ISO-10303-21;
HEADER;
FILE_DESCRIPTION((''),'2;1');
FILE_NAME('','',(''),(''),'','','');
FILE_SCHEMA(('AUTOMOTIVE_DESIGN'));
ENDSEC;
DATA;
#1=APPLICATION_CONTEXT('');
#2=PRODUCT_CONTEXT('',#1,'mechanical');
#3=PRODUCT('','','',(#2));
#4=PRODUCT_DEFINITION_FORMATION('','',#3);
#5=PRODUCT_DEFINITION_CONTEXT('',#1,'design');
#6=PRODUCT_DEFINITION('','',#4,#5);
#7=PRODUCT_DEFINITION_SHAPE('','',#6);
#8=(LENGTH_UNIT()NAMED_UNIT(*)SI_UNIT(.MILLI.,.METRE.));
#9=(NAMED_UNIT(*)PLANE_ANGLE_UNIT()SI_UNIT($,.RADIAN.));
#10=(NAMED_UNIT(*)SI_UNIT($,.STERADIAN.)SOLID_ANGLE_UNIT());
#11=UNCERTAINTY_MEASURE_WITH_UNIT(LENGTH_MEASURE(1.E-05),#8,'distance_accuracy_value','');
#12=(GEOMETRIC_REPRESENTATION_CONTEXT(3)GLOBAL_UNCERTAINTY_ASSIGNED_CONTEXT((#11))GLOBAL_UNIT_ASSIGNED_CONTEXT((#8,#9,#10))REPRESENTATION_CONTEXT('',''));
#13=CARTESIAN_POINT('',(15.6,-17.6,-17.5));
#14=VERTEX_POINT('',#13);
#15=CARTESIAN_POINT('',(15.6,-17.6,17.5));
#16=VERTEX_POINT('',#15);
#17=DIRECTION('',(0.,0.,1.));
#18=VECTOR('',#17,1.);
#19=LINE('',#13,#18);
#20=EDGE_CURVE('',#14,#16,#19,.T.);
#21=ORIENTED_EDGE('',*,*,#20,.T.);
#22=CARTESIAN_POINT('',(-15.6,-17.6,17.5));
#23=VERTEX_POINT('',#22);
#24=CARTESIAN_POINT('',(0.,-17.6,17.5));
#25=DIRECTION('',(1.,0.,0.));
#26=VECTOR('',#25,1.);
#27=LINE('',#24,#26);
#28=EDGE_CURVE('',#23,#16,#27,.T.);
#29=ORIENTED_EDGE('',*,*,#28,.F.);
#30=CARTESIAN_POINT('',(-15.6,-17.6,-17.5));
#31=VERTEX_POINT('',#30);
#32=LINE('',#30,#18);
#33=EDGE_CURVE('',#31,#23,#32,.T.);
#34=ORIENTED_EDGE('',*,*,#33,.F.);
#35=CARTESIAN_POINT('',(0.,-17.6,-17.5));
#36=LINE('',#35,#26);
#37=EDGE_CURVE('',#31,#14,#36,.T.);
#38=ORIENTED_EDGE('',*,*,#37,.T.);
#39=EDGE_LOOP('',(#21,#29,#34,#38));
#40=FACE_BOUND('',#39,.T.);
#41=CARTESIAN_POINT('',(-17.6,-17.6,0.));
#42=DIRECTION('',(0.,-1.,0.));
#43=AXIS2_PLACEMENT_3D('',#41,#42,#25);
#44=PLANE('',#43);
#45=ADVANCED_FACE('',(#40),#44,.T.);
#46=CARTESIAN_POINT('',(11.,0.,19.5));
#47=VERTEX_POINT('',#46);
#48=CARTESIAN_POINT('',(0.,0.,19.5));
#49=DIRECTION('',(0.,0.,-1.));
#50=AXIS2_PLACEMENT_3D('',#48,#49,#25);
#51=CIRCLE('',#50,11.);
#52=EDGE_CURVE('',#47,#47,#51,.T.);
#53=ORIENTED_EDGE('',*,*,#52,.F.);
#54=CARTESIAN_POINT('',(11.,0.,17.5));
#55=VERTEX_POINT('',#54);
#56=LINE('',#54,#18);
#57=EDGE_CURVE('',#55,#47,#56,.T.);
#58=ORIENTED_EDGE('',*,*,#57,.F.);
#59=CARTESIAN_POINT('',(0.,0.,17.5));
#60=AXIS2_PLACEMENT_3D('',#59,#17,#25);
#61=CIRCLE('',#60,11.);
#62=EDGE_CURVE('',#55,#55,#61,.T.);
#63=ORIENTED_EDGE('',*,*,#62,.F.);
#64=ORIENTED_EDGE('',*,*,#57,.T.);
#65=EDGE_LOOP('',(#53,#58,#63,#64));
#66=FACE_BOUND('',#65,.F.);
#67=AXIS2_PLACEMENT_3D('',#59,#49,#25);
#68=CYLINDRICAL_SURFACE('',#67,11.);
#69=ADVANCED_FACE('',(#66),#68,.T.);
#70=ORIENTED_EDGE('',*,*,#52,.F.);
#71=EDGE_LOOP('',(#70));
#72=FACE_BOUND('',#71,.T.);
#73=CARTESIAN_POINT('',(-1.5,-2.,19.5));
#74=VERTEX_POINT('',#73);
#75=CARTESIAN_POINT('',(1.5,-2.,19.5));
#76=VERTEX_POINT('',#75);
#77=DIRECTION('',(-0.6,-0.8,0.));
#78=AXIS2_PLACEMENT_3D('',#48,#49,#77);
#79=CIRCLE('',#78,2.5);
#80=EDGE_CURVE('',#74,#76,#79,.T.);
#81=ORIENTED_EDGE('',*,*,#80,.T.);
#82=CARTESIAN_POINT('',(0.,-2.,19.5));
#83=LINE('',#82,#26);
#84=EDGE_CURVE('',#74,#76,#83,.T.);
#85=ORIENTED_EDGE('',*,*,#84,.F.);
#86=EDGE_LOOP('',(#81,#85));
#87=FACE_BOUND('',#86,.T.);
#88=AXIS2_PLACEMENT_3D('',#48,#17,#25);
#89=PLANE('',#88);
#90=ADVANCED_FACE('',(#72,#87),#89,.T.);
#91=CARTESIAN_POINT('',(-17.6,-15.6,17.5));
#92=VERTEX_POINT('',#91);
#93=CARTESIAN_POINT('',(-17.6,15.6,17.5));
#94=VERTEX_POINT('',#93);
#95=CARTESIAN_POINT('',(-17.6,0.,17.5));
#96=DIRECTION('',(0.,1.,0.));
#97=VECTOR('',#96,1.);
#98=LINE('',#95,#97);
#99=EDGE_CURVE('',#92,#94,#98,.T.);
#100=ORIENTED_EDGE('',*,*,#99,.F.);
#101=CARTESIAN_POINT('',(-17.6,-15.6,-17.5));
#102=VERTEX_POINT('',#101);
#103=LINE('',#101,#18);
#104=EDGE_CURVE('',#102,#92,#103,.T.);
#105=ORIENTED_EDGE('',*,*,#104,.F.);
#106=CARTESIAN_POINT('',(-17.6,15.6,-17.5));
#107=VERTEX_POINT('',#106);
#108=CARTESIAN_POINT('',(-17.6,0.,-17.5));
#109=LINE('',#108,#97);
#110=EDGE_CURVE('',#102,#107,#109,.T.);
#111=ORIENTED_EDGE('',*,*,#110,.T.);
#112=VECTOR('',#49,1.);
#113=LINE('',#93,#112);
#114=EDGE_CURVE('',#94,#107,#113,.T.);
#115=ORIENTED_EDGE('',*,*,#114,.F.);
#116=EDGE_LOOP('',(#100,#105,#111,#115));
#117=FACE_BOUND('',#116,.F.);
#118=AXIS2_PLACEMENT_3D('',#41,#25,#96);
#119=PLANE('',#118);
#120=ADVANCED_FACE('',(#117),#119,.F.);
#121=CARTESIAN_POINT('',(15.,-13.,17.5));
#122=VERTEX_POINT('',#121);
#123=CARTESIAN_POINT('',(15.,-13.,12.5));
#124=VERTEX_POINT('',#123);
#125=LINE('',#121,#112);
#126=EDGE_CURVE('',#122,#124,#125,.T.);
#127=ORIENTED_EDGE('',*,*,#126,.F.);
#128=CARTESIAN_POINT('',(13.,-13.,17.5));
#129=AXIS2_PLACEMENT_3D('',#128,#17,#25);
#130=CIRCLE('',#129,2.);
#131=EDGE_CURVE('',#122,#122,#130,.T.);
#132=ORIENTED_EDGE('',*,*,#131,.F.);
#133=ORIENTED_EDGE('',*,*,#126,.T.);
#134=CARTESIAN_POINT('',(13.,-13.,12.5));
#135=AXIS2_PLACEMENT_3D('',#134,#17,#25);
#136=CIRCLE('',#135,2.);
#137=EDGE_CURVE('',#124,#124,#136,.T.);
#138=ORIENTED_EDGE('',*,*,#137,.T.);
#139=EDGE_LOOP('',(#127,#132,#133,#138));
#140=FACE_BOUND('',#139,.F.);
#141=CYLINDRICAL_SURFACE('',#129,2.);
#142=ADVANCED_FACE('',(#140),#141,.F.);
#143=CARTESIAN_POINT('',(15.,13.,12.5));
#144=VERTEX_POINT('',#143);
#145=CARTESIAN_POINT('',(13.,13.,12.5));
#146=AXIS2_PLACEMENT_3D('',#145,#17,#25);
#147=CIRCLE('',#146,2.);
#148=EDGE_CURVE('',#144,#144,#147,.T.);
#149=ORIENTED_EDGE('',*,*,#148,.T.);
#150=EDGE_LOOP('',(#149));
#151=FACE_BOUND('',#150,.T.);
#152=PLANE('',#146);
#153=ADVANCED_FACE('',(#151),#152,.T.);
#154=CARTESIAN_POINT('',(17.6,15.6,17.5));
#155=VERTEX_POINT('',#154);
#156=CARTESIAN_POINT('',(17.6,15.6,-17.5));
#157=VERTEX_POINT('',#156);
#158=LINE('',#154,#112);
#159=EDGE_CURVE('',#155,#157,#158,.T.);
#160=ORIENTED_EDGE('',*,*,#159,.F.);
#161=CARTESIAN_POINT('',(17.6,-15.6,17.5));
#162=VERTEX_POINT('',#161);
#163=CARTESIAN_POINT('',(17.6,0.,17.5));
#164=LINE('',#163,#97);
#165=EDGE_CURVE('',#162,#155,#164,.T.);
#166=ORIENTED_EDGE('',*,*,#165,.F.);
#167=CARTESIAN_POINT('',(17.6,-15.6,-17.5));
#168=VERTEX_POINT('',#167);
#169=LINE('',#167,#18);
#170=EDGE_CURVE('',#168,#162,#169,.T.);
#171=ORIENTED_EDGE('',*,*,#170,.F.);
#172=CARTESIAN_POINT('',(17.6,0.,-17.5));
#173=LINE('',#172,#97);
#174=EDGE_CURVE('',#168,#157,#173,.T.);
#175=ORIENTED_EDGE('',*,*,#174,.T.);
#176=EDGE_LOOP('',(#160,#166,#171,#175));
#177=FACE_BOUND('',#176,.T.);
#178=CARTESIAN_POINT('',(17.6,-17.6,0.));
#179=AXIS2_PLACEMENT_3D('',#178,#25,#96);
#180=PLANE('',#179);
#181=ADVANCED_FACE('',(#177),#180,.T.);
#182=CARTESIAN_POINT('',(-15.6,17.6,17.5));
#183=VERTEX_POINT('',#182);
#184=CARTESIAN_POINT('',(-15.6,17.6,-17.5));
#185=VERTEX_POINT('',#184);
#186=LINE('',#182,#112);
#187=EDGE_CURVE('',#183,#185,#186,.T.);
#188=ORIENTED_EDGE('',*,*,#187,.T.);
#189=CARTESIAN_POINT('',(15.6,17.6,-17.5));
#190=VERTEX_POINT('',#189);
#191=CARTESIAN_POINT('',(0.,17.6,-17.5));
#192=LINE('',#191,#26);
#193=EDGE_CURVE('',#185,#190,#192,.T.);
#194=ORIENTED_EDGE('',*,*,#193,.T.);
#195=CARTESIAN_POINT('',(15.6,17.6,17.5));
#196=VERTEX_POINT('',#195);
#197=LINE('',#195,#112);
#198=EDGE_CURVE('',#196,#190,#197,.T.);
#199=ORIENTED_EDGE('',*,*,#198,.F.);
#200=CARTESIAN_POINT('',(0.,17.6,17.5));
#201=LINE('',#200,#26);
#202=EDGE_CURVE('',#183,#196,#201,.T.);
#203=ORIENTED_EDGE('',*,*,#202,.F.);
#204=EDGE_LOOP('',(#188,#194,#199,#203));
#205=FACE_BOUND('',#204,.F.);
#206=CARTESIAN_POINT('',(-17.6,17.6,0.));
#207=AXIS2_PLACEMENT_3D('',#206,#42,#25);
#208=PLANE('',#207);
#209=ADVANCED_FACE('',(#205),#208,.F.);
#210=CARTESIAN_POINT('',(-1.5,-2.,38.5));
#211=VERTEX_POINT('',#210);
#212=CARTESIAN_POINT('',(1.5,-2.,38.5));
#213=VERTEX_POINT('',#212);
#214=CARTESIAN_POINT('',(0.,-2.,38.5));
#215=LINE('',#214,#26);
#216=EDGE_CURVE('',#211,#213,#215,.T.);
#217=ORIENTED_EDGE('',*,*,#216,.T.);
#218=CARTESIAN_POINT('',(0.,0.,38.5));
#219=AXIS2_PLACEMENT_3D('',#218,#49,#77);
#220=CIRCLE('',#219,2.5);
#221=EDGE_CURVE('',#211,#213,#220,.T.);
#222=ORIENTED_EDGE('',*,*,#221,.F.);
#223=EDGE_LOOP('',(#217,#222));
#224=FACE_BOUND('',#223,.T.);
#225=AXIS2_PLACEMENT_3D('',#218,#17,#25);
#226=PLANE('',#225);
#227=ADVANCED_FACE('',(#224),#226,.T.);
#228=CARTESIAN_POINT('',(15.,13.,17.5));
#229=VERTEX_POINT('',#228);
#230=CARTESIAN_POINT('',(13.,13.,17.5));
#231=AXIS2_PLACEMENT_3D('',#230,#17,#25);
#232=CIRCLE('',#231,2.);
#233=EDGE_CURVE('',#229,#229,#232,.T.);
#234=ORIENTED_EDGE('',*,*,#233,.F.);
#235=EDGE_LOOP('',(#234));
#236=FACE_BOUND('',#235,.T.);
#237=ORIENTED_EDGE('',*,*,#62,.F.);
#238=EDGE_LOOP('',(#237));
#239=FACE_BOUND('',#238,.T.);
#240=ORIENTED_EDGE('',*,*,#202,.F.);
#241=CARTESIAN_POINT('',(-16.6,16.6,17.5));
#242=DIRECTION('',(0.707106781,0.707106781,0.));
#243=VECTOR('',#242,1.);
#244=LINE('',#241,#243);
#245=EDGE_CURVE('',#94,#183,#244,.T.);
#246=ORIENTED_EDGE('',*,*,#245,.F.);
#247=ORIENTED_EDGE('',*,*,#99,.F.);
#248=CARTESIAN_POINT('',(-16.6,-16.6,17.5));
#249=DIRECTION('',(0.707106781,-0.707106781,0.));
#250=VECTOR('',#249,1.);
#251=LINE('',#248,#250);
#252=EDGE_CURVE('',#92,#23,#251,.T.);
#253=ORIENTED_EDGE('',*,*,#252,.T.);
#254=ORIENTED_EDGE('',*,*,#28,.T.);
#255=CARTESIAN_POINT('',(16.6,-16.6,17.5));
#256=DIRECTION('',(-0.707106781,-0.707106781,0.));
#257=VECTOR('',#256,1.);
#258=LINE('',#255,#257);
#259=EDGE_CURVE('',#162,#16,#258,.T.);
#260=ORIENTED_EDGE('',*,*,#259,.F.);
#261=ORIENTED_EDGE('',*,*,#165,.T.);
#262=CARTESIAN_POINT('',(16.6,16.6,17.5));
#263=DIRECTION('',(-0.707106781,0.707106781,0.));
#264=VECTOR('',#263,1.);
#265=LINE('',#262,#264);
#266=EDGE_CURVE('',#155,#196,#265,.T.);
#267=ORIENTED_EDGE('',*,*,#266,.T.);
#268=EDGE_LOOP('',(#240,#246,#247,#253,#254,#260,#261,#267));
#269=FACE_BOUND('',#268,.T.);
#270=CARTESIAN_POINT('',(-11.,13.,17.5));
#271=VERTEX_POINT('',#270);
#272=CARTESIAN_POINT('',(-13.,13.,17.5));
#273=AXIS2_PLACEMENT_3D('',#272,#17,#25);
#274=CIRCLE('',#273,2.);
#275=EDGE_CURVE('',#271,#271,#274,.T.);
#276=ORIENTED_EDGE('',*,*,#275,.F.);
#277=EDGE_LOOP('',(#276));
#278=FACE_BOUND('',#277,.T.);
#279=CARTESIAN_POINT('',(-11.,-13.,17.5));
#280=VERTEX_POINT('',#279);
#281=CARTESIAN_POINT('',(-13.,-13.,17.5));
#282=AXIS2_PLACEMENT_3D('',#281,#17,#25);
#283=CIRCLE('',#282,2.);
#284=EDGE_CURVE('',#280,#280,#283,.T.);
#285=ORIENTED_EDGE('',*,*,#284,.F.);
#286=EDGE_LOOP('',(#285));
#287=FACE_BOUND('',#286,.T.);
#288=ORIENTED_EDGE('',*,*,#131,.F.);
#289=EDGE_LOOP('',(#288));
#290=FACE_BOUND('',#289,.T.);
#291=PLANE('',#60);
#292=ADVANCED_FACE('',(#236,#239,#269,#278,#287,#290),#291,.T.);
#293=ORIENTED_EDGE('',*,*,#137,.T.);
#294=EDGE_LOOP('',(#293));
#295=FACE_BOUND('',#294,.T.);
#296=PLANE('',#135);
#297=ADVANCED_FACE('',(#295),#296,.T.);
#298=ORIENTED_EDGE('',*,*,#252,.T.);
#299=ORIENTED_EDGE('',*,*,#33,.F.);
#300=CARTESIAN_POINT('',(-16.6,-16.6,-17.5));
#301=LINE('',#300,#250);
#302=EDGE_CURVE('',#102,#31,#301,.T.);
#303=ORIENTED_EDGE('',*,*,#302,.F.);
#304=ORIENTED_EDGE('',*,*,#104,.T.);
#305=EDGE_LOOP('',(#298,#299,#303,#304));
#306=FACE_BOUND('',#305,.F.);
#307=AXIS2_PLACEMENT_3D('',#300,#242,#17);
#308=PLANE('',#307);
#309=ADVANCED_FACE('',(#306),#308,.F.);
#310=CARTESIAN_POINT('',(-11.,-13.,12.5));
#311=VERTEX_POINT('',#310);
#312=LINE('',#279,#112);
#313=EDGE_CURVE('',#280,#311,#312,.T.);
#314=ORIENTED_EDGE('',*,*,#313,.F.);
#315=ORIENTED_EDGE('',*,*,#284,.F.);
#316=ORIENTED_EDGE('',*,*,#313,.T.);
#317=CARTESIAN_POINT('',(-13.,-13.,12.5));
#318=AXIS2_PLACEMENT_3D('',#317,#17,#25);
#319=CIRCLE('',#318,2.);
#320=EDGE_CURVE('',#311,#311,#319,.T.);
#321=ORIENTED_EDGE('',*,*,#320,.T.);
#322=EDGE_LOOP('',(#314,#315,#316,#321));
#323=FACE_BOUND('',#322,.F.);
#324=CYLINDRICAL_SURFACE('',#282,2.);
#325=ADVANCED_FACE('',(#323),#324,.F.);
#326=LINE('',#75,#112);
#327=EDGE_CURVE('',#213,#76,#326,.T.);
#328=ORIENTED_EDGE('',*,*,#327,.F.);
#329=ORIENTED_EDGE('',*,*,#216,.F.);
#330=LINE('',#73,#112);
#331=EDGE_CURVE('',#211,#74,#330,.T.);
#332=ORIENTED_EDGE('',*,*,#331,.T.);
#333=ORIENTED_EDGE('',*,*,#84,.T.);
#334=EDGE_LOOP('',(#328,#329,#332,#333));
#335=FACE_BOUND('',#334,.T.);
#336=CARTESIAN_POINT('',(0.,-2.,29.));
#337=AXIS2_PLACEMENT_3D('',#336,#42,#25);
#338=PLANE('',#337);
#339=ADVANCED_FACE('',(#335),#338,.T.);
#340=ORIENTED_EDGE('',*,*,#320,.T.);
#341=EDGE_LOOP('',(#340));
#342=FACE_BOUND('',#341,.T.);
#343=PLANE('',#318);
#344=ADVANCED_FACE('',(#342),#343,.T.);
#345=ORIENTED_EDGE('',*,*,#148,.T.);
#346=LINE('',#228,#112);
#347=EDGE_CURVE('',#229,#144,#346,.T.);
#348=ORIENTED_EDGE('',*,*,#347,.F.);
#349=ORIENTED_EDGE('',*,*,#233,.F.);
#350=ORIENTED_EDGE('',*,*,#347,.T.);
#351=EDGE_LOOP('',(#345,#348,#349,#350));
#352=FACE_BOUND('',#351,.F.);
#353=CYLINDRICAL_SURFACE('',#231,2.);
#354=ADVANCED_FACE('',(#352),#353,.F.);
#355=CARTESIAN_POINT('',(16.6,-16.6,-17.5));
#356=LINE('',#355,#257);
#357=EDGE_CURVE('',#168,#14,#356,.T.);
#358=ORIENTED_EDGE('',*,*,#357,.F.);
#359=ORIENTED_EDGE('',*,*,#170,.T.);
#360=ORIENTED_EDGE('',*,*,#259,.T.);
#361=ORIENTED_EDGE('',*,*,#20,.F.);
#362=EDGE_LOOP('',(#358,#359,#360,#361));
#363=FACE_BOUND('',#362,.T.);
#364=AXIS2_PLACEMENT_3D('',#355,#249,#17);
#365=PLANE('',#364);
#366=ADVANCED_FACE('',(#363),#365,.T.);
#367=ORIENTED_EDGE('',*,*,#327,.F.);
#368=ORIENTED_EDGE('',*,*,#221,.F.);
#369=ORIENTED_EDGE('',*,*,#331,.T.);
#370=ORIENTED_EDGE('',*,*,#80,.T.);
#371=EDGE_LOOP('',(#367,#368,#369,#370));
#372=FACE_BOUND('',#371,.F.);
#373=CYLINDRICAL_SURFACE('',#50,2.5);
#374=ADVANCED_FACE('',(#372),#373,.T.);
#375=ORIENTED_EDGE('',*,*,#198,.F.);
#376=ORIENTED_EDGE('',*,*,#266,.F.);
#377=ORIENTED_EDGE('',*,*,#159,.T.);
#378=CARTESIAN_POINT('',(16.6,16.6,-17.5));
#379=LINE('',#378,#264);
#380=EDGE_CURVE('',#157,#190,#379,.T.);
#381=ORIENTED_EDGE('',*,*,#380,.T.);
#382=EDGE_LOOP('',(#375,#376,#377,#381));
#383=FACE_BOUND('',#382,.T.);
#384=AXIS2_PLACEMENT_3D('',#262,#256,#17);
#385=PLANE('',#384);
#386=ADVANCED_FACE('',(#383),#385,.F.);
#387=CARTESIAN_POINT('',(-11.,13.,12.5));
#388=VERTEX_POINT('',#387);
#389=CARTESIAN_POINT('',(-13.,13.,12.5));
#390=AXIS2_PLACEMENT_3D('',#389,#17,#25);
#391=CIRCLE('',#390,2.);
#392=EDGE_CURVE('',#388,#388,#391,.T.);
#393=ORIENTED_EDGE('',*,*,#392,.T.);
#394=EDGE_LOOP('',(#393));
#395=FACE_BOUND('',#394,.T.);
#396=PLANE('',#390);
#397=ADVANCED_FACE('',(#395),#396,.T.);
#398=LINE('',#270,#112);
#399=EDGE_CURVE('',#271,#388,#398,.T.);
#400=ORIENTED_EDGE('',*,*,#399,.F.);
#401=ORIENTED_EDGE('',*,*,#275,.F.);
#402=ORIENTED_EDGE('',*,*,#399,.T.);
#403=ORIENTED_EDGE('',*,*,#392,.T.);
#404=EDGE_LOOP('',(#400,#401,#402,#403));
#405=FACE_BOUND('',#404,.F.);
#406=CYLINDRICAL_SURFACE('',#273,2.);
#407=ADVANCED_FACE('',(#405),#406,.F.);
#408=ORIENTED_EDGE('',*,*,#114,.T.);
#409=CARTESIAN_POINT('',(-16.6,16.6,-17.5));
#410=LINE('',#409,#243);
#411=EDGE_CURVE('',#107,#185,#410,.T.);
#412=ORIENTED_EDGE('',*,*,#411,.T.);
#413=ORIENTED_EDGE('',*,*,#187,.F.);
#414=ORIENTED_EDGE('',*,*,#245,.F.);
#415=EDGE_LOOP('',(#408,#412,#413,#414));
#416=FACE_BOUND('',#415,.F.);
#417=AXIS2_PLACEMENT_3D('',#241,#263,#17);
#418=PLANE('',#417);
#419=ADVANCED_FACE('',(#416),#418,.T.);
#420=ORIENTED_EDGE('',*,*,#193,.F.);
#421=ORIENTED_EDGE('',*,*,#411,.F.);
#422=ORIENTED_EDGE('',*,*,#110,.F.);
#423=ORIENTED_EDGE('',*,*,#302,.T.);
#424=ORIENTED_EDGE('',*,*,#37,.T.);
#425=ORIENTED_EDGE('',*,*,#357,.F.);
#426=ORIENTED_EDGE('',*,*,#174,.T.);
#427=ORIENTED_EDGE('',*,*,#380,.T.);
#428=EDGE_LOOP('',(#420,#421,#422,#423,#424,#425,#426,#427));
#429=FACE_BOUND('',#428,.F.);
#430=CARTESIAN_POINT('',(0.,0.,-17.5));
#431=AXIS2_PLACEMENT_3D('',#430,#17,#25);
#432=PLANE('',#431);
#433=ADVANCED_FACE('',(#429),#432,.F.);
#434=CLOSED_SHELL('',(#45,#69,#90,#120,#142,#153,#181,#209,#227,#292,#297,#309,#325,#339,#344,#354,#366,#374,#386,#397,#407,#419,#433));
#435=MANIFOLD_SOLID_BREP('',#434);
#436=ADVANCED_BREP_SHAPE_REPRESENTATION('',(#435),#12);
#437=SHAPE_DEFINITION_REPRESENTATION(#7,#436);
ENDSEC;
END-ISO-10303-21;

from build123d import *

# Parameters (mm, degrees)
F0_W      = 35.2
F0_H      = 35.2
F1_DEPTH  = 17.5
F2_SIZE   = 2
F3_R      = 11
F4_DEPTH  = 2
F5_R      = 2
F6_DEPTH  = 5
F7_R      = 2.5
F8_DEPTH  = 19
F10_W     = 5
F10_H     = 19
F11_DEPTH = 15.601


with BuildPart() as f1:
    # F0 (on Top) → F1 (new body, symmetric)
    with BuildSketch(Plane.XY):
        Rectangle(F0_W, F0_H)
    extrude(amount=F1_DEPTH, both=True)

    # F2
    f2_edges = [f1.edges().sort_by_distance(p)[0] for p in [
        (-17.6, 17.6, 0),
        (-17.6, -17.6, 0),
        (17.6, -17.6, 0),
        (17.6, 17.6, 0),
    ]]
    chamfer(f2_edges, length=F2_SIZE)

    # F3 (on face) → F4 (join)
    with BuildSketch(Plane.XY.offset(17.5)):
        Circle(F3_R)
    extrude(amount=F4_DEPTH)

    # F5 (on face) → F6 (cut)
    with BuildSketch(Plane.XY.offset(17.5)):
        with Locations((-13, 13)):
            Circle(F5_R)
        with Locations((13, 13)):
            Circle(F5_R)
        with Locations((-13, -13)):
            Circle(F5_R)
        with Locations((13, -13)):
            Circle(F5_R)
    extrude(amount=-F6_DEPTH, mode=Mode.SUBTRACT)

    # F7 (on face) → F8 (join)
    with BuildSketch(Plane.XY.offset(19.5)):
        Circle(F7_R)
    extrude(amount=F8_DEPTH)

    # F10 (on offset) → F11 (cut, through all)
    with BuildSketch(Plane.XZ.offset(2)):
        with Locations((0, 29)):
            Rectangle(F10_W, F10_H)
    extrude(amount=F11_DEPTH, mode=Mode.SUBTRACT)


solid = f1.part
